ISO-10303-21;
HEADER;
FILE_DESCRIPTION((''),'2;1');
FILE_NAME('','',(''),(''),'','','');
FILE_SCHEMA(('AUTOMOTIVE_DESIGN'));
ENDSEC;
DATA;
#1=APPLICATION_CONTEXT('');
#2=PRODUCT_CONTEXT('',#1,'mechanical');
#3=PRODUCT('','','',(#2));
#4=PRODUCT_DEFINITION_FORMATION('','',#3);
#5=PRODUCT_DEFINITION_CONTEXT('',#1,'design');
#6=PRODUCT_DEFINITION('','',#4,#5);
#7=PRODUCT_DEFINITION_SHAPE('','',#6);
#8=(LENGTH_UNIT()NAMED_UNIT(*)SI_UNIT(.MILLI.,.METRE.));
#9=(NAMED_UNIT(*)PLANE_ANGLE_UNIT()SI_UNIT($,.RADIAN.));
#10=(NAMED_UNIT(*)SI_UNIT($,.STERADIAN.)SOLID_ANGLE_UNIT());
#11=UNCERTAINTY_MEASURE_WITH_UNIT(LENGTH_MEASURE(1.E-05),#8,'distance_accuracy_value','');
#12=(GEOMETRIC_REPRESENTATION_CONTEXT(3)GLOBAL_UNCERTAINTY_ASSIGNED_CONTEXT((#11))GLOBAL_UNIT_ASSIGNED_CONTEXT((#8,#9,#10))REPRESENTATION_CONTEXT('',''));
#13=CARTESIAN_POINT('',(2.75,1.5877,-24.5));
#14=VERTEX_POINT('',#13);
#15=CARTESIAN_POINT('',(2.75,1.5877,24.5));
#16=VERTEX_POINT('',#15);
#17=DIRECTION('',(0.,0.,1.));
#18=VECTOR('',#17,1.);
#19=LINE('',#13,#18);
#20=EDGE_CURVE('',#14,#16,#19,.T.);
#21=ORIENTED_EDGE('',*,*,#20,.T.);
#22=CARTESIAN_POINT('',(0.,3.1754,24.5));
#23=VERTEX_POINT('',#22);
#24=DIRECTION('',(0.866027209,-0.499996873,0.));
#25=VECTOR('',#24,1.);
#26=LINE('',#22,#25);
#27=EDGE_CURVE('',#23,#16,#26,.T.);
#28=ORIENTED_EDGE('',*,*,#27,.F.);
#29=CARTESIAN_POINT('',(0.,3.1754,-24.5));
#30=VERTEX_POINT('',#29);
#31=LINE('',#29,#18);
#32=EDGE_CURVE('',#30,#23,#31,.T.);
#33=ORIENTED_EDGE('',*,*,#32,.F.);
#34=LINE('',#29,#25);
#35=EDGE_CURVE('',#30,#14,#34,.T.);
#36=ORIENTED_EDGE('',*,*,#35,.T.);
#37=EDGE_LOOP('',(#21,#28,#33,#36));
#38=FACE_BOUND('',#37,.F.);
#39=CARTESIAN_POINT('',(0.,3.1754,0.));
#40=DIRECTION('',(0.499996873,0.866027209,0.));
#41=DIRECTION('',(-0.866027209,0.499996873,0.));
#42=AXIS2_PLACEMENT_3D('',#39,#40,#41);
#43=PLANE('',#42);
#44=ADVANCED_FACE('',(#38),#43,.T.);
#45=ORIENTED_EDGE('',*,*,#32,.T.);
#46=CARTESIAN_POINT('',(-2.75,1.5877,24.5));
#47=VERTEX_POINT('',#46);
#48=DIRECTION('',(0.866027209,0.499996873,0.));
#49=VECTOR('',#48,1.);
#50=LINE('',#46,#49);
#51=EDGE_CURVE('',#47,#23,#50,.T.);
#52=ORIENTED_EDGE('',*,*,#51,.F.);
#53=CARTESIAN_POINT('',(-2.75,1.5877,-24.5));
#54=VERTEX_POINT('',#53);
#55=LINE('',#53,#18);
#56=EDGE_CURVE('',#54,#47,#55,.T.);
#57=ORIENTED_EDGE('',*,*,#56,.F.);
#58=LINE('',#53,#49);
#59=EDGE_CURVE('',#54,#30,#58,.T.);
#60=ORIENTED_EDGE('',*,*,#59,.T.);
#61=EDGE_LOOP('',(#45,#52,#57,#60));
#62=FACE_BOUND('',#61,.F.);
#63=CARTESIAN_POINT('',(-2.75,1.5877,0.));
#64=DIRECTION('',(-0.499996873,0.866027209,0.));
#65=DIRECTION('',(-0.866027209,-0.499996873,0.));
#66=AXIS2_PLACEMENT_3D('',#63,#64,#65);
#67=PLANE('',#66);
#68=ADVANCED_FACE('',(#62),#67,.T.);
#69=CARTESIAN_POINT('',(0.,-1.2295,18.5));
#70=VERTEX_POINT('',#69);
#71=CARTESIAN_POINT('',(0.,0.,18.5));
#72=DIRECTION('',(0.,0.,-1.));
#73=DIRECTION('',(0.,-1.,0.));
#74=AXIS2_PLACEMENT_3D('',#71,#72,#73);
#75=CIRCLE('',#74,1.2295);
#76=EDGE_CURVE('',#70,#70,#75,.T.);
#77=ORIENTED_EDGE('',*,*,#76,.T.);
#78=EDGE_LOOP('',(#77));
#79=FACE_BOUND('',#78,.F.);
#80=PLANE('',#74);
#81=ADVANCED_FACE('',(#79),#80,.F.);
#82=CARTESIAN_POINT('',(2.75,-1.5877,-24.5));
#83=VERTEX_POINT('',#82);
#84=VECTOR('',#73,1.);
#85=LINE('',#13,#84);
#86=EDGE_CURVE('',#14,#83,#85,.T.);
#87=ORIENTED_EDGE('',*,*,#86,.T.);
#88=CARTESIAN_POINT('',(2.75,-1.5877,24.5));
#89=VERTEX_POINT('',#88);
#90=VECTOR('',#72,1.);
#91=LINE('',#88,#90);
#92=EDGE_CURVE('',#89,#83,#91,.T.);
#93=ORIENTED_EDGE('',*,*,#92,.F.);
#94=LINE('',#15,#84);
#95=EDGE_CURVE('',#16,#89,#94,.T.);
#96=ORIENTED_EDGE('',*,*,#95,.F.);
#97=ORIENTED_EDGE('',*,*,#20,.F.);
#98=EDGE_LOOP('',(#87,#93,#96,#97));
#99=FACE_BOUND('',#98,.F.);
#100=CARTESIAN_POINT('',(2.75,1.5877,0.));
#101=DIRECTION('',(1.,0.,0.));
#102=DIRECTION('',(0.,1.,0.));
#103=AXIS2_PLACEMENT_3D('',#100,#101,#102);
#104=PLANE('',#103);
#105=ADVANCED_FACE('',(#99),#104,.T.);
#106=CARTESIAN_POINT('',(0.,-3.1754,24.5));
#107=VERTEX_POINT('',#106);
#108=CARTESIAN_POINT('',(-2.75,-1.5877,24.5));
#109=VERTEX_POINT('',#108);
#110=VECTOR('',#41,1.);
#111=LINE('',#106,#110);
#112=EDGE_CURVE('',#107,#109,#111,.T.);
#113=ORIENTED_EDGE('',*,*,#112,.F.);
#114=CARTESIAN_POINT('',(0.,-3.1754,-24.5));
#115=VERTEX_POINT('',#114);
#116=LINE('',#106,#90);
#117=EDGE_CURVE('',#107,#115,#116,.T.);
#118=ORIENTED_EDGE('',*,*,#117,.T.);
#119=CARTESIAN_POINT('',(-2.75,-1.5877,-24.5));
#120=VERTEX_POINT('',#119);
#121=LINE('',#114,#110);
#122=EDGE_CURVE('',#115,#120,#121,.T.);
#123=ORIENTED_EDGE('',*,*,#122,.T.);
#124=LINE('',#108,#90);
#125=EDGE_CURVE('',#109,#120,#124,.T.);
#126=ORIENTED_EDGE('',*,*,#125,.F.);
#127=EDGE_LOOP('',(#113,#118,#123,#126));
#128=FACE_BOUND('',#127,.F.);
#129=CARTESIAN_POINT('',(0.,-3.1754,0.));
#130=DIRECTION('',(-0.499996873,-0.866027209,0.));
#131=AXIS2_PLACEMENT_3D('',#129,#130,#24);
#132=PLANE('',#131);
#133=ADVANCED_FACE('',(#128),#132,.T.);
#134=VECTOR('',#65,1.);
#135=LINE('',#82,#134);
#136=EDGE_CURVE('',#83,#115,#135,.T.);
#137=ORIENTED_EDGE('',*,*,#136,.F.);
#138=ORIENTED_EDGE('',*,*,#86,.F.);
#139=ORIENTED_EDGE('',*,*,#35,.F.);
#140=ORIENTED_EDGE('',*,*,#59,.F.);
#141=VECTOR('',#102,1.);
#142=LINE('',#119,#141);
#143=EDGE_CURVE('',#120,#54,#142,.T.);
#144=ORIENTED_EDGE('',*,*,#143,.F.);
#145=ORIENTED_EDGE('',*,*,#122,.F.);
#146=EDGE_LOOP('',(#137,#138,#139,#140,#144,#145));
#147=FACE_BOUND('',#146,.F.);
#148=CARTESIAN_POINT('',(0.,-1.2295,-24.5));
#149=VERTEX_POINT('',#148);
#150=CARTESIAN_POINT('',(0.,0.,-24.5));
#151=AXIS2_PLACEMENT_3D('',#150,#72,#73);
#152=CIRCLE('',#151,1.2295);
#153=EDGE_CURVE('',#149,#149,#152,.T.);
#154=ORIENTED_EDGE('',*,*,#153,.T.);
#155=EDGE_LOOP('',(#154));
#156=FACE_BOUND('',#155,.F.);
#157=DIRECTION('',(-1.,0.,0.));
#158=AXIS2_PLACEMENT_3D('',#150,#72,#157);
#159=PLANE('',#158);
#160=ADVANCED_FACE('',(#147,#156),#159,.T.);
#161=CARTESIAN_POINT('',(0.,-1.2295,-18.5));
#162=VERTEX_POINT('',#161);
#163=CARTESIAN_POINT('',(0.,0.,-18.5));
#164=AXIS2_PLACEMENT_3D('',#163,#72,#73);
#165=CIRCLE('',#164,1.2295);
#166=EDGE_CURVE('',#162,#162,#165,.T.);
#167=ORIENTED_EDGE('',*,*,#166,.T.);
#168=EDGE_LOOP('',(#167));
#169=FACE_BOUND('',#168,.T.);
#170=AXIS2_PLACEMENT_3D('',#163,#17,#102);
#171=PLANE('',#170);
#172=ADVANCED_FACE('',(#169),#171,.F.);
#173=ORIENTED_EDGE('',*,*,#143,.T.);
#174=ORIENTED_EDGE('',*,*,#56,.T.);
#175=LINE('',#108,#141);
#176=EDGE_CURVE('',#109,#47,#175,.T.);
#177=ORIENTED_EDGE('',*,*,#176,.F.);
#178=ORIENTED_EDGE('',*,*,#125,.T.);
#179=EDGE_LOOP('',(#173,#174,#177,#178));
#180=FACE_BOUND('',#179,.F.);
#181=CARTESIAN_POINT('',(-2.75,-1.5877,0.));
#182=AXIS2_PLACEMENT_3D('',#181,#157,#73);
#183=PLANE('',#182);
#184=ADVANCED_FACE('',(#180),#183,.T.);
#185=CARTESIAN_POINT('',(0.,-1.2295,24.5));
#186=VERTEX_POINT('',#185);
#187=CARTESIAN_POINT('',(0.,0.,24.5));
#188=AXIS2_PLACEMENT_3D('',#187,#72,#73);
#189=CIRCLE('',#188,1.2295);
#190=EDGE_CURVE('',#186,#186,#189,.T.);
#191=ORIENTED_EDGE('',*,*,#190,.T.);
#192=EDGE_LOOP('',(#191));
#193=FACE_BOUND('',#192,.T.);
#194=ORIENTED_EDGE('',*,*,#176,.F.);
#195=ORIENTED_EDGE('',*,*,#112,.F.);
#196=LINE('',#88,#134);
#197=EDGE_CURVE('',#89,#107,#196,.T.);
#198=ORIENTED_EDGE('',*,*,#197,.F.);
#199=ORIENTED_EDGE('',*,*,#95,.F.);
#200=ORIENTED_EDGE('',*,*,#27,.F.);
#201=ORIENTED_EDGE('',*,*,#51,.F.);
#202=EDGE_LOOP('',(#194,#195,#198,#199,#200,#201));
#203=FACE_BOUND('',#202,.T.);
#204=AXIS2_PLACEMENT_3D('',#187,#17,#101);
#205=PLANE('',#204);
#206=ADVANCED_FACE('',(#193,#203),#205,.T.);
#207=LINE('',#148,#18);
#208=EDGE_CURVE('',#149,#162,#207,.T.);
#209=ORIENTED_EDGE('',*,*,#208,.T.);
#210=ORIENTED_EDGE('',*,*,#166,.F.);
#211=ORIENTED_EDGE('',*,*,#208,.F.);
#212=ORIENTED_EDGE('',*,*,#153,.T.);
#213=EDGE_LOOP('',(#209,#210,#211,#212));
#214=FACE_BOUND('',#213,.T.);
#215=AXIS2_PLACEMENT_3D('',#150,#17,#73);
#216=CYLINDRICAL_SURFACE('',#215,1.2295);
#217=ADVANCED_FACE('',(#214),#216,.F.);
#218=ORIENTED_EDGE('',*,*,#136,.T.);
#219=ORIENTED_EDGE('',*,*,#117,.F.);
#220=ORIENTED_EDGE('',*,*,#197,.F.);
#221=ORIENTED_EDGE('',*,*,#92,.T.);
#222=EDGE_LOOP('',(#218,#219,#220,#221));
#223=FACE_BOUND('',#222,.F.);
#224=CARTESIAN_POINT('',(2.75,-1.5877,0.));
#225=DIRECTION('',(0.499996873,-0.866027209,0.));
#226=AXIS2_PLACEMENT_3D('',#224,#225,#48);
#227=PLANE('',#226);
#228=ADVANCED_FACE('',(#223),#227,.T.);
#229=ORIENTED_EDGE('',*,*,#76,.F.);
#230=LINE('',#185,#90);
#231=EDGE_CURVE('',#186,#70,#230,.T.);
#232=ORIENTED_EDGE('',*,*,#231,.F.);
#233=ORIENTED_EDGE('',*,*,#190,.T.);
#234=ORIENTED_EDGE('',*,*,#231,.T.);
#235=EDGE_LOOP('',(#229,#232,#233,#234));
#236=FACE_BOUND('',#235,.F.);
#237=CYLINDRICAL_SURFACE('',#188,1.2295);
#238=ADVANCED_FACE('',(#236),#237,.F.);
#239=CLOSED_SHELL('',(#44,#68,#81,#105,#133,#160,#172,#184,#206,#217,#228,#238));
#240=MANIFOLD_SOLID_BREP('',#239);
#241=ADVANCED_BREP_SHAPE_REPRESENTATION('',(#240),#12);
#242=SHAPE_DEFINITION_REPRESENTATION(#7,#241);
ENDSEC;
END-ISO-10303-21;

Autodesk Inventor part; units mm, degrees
ref_plane "YZ Plane" through (0, 0, 0) normal (1, 0, 0) x (0, 1, 0)
ref_plane "XZ Plane" through (0, 0, 0) normal (0, 1, 0) x (-1, 0, 0)
ref_plane "XY Plane" through (0, 0, 0) normal (0, 0, 1) x (1, 0, 0)
sketch "スケッチ1" plane through (0, 0, 0) normal (0, 0, 1) x (1, 0, 0)
  line L0 (2.75, 1.5877) -> (2.75, -1.5877)
  line L1 (2.75, -1.5877) -> (0, -3.1754)
  line L2 (0, -3.1754) -> (-2.75, -1.5877)
  line L3 (-2.75, -1.5877) -> (-2.75, 1.5877)
  line L4 (-2.75, 1.5877) -> (0, 3.1754)
  line L5 (0, 3.1754) -> (2.75, 1.5877)
  point P0 (0, 0)
  point P1 (0, 0)
  dimension "d0" = 5.5
extrude "押し出し1" add sketch "スケッチ1" along normal blind 24.5
sketch "スケッチ2" plane through (0, 0, 24.5) normal (0, 0, 1) x (1, 0, 0)
  point P0 (0, 0)
  point P1 (0, 0)
hole "穴1" at (0, 0, 24.5) direction (0, 0, -1) diameter 2.459 depth 6 thread size "M3x0.5" class "6H" standard "ISO Metric profile"
mirror "ミラー1" about plane through (0, 0, 0) normal (0, 0, -1) of "押し出し1", "穴1"
properties part number "ASU-340" material "ステンレス鋼 AISI 304"
